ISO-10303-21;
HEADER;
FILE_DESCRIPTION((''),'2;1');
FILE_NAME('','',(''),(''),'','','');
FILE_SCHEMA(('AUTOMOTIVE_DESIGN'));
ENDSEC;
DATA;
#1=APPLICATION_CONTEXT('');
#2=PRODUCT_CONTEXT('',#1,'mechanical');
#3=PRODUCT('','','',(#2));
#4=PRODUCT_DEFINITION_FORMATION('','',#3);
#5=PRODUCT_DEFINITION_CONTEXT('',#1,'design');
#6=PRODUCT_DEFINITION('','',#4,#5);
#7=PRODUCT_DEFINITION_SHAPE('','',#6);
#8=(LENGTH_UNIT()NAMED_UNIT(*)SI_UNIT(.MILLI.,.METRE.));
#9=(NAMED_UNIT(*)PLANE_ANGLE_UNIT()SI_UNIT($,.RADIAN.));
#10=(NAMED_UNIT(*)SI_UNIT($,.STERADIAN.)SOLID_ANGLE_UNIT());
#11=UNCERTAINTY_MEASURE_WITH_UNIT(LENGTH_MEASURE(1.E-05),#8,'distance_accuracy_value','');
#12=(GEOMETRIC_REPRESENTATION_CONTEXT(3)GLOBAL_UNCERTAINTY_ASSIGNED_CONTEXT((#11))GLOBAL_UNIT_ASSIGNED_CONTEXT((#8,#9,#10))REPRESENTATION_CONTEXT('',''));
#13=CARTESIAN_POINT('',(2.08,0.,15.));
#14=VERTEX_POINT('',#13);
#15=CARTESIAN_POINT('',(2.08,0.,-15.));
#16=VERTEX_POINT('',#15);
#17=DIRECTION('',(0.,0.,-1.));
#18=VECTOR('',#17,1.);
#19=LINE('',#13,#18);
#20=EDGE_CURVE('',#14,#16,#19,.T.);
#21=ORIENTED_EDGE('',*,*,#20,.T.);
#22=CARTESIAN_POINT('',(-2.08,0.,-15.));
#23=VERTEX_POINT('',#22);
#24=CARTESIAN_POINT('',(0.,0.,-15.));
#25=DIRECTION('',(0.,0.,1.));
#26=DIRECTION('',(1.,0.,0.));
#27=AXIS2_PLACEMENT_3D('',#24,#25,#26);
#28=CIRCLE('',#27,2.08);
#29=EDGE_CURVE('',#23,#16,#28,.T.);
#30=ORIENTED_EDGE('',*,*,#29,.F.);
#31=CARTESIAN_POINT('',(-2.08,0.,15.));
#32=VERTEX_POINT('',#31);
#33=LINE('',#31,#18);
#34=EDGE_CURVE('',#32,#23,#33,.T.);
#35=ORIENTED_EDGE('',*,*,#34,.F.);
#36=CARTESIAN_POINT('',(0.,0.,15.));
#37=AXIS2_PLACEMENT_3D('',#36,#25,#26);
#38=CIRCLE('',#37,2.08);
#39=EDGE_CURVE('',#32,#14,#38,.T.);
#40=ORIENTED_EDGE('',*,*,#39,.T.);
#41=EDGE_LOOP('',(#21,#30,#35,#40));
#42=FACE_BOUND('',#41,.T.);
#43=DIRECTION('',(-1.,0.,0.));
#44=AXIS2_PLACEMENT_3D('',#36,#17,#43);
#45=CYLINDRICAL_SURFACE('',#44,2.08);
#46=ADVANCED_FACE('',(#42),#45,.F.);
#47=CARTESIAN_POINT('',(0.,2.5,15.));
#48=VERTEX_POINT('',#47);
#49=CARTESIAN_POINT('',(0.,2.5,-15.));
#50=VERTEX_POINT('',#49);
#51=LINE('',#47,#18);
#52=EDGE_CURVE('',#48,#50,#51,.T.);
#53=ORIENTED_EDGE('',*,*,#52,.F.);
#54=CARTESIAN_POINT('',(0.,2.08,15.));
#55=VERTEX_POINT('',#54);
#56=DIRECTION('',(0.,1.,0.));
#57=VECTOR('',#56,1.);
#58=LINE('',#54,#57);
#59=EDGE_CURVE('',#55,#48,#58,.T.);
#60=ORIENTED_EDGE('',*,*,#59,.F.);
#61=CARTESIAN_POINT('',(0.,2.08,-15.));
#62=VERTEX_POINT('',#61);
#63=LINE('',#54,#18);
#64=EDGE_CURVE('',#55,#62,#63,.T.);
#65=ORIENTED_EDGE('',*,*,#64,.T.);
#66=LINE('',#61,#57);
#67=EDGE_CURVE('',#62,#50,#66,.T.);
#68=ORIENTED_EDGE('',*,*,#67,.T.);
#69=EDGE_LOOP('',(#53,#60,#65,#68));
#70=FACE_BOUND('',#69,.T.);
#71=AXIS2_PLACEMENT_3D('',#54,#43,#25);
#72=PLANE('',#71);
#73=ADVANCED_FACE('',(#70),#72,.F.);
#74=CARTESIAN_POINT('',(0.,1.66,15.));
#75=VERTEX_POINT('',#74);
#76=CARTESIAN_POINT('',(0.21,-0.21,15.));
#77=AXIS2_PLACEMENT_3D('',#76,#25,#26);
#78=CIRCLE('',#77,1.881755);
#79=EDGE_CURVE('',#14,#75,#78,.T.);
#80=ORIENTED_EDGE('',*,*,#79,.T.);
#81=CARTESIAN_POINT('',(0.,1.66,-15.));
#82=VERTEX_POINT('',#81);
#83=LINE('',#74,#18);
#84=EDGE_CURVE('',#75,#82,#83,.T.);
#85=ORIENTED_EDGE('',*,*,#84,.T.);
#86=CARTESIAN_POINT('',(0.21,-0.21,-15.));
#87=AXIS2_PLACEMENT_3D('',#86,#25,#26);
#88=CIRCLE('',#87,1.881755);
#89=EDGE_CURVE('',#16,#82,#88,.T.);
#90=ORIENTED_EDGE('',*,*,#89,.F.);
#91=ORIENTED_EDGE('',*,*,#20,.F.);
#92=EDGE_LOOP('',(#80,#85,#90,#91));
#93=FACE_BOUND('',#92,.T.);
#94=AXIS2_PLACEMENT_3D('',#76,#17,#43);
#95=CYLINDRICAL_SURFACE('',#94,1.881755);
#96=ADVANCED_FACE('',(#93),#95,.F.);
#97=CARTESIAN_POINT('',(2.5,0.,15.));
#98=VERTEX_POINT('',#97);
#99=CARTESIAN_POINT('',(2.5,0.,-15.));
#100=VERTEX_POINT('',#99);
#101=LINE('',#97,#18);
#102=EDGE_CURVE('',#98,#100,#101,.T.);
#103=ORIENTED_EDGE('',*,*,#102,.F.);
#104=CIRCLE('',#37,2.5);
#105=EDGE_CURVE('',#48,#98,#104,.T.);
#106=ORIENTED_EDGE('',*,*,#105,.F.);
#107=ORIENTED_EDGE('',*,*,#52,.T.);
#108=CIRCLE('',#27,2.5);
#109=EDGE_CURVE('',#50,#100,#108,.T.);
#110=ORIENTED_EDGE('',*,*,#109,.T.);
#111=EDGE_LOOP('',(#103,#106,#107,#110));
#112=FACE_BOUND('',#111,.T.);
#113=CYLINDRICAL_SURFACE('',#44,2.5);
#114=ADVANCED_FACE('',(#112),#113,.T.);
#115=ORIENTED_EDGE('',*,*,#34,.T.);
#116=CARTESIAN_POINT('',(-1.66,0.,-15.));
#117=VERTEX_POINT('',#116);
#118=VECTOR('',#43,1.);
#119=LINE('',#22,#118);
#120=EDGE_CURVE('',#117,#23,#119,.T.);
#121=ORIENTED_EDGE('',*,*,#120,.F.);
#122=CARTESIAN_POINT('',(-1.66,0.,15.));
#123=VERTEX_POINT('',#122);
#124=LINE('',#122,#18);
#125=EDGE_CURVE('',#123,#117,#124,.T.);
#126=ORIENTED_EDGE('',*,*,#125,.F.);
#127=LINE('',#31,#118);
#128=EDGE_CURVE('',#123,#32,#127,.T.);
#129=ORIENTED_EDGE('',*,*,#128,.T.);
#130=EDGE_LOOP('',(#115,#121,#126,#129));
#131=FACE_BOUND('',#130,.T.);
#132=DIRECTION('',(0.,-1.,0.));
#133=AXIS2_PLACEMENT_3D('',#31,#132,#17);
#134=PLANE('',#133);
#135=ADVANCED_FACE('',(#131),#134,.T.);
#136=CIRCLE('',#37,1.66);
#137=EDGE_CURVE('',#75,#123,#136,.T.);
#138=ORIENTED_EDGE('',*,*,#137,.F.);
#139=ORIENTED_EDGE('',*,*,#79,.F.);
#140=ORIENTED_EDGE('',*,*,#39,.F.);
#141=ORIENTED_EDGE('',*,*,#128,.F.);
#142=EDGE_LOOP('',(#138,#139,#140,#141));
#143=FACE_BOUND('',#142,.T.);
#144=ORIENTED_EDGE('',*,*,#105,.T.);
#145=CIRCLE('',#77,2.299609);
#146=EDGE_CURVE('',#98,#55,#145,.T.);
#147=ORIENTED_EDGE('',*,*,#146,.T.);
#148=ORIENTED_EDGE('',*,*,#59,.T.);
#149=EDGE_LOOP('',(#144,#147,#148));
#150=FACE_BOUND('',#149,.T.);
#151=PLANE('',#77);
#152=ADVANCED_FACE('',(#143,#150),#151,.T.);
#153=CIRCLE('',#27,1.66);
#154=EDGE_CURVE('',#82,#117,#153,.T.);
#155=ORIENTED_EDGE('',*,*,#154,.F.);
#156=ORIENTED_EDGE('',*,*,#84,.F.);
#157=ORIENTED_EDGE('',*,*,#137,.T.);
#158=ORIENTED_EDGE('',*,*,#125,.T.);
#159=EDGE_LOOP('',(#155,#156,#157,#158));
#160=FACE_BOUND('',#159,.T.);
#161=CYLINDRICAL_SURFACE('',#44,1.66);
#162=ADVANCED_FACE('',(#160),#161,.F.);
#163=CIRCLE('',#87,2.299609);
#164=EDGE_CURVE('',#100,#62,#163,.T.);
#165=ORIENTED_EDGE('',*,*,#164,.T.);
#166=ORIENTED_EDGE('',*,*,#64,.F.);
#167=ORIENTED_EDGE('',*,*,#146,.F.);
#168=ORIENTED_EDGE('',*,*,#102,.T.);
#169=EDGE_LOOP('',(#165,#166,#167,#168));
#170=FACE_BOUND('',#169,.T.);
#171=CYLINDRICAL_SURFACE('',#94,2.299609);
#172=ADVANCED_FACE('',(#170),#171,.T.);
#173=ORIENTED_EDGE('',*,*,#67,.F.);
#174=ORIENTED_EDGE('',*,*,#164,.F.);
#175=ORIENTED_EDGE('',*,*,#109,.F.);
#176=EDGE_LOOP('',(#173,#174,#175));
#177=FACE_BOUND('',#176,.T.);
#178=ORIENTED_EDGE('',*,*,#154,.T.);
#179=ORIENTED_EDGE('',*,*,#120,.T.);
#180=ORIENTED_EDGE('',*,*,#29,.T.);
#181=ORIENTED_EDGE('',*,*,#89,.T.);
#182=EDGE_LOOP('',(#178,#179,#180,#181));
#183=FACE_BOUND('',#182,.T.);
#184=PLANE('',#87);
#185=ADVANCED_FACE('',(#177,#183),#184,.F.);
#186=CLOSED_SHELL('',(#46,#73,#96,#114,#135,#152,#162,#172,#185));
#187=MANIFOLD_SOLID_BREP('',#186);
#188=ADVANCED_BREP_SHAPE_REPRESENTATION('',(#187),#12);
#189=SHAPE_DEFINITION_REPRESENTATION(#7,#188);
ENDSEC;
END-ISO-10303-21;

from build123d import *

# Parameters (mm, degrees)
BASE_EXTRUDE_DEPTH = 15


with BuildPart() as part:
    # Sketch1 → Base-Extrude (new, symmetric)
    with BuildSketch(Plane.XY):
        with BuildLine():
            Line((0, 2.08), (0, 2.5))
            ThreePointArc((0, 2.5), (-1.767766953, -1.767766953), (2.5, 0))
            ThreePointArc((2.5, 0), (1.680782105, 1.557766953), (0, 2.08))
        make_face()
        with BuildLine():
            Line((-2.08, 0), (-1.66, 0))
            ThreePointArc((-1.66, 0), (-1.173797257, 1.173797257), (0, 1.66))
            ThreePointArc((0, 1.66), (1.383797257, 1.260782105), (2.08, 0))
            ThreePointArc((2.08, 0), (0, -2.08), (-2.08, 0))
        make_face(mode=Mode.SUBTRACT)
    extrude(amount=BASE_EXTRUDE_DEPTH, both=True)


solid = part.part
